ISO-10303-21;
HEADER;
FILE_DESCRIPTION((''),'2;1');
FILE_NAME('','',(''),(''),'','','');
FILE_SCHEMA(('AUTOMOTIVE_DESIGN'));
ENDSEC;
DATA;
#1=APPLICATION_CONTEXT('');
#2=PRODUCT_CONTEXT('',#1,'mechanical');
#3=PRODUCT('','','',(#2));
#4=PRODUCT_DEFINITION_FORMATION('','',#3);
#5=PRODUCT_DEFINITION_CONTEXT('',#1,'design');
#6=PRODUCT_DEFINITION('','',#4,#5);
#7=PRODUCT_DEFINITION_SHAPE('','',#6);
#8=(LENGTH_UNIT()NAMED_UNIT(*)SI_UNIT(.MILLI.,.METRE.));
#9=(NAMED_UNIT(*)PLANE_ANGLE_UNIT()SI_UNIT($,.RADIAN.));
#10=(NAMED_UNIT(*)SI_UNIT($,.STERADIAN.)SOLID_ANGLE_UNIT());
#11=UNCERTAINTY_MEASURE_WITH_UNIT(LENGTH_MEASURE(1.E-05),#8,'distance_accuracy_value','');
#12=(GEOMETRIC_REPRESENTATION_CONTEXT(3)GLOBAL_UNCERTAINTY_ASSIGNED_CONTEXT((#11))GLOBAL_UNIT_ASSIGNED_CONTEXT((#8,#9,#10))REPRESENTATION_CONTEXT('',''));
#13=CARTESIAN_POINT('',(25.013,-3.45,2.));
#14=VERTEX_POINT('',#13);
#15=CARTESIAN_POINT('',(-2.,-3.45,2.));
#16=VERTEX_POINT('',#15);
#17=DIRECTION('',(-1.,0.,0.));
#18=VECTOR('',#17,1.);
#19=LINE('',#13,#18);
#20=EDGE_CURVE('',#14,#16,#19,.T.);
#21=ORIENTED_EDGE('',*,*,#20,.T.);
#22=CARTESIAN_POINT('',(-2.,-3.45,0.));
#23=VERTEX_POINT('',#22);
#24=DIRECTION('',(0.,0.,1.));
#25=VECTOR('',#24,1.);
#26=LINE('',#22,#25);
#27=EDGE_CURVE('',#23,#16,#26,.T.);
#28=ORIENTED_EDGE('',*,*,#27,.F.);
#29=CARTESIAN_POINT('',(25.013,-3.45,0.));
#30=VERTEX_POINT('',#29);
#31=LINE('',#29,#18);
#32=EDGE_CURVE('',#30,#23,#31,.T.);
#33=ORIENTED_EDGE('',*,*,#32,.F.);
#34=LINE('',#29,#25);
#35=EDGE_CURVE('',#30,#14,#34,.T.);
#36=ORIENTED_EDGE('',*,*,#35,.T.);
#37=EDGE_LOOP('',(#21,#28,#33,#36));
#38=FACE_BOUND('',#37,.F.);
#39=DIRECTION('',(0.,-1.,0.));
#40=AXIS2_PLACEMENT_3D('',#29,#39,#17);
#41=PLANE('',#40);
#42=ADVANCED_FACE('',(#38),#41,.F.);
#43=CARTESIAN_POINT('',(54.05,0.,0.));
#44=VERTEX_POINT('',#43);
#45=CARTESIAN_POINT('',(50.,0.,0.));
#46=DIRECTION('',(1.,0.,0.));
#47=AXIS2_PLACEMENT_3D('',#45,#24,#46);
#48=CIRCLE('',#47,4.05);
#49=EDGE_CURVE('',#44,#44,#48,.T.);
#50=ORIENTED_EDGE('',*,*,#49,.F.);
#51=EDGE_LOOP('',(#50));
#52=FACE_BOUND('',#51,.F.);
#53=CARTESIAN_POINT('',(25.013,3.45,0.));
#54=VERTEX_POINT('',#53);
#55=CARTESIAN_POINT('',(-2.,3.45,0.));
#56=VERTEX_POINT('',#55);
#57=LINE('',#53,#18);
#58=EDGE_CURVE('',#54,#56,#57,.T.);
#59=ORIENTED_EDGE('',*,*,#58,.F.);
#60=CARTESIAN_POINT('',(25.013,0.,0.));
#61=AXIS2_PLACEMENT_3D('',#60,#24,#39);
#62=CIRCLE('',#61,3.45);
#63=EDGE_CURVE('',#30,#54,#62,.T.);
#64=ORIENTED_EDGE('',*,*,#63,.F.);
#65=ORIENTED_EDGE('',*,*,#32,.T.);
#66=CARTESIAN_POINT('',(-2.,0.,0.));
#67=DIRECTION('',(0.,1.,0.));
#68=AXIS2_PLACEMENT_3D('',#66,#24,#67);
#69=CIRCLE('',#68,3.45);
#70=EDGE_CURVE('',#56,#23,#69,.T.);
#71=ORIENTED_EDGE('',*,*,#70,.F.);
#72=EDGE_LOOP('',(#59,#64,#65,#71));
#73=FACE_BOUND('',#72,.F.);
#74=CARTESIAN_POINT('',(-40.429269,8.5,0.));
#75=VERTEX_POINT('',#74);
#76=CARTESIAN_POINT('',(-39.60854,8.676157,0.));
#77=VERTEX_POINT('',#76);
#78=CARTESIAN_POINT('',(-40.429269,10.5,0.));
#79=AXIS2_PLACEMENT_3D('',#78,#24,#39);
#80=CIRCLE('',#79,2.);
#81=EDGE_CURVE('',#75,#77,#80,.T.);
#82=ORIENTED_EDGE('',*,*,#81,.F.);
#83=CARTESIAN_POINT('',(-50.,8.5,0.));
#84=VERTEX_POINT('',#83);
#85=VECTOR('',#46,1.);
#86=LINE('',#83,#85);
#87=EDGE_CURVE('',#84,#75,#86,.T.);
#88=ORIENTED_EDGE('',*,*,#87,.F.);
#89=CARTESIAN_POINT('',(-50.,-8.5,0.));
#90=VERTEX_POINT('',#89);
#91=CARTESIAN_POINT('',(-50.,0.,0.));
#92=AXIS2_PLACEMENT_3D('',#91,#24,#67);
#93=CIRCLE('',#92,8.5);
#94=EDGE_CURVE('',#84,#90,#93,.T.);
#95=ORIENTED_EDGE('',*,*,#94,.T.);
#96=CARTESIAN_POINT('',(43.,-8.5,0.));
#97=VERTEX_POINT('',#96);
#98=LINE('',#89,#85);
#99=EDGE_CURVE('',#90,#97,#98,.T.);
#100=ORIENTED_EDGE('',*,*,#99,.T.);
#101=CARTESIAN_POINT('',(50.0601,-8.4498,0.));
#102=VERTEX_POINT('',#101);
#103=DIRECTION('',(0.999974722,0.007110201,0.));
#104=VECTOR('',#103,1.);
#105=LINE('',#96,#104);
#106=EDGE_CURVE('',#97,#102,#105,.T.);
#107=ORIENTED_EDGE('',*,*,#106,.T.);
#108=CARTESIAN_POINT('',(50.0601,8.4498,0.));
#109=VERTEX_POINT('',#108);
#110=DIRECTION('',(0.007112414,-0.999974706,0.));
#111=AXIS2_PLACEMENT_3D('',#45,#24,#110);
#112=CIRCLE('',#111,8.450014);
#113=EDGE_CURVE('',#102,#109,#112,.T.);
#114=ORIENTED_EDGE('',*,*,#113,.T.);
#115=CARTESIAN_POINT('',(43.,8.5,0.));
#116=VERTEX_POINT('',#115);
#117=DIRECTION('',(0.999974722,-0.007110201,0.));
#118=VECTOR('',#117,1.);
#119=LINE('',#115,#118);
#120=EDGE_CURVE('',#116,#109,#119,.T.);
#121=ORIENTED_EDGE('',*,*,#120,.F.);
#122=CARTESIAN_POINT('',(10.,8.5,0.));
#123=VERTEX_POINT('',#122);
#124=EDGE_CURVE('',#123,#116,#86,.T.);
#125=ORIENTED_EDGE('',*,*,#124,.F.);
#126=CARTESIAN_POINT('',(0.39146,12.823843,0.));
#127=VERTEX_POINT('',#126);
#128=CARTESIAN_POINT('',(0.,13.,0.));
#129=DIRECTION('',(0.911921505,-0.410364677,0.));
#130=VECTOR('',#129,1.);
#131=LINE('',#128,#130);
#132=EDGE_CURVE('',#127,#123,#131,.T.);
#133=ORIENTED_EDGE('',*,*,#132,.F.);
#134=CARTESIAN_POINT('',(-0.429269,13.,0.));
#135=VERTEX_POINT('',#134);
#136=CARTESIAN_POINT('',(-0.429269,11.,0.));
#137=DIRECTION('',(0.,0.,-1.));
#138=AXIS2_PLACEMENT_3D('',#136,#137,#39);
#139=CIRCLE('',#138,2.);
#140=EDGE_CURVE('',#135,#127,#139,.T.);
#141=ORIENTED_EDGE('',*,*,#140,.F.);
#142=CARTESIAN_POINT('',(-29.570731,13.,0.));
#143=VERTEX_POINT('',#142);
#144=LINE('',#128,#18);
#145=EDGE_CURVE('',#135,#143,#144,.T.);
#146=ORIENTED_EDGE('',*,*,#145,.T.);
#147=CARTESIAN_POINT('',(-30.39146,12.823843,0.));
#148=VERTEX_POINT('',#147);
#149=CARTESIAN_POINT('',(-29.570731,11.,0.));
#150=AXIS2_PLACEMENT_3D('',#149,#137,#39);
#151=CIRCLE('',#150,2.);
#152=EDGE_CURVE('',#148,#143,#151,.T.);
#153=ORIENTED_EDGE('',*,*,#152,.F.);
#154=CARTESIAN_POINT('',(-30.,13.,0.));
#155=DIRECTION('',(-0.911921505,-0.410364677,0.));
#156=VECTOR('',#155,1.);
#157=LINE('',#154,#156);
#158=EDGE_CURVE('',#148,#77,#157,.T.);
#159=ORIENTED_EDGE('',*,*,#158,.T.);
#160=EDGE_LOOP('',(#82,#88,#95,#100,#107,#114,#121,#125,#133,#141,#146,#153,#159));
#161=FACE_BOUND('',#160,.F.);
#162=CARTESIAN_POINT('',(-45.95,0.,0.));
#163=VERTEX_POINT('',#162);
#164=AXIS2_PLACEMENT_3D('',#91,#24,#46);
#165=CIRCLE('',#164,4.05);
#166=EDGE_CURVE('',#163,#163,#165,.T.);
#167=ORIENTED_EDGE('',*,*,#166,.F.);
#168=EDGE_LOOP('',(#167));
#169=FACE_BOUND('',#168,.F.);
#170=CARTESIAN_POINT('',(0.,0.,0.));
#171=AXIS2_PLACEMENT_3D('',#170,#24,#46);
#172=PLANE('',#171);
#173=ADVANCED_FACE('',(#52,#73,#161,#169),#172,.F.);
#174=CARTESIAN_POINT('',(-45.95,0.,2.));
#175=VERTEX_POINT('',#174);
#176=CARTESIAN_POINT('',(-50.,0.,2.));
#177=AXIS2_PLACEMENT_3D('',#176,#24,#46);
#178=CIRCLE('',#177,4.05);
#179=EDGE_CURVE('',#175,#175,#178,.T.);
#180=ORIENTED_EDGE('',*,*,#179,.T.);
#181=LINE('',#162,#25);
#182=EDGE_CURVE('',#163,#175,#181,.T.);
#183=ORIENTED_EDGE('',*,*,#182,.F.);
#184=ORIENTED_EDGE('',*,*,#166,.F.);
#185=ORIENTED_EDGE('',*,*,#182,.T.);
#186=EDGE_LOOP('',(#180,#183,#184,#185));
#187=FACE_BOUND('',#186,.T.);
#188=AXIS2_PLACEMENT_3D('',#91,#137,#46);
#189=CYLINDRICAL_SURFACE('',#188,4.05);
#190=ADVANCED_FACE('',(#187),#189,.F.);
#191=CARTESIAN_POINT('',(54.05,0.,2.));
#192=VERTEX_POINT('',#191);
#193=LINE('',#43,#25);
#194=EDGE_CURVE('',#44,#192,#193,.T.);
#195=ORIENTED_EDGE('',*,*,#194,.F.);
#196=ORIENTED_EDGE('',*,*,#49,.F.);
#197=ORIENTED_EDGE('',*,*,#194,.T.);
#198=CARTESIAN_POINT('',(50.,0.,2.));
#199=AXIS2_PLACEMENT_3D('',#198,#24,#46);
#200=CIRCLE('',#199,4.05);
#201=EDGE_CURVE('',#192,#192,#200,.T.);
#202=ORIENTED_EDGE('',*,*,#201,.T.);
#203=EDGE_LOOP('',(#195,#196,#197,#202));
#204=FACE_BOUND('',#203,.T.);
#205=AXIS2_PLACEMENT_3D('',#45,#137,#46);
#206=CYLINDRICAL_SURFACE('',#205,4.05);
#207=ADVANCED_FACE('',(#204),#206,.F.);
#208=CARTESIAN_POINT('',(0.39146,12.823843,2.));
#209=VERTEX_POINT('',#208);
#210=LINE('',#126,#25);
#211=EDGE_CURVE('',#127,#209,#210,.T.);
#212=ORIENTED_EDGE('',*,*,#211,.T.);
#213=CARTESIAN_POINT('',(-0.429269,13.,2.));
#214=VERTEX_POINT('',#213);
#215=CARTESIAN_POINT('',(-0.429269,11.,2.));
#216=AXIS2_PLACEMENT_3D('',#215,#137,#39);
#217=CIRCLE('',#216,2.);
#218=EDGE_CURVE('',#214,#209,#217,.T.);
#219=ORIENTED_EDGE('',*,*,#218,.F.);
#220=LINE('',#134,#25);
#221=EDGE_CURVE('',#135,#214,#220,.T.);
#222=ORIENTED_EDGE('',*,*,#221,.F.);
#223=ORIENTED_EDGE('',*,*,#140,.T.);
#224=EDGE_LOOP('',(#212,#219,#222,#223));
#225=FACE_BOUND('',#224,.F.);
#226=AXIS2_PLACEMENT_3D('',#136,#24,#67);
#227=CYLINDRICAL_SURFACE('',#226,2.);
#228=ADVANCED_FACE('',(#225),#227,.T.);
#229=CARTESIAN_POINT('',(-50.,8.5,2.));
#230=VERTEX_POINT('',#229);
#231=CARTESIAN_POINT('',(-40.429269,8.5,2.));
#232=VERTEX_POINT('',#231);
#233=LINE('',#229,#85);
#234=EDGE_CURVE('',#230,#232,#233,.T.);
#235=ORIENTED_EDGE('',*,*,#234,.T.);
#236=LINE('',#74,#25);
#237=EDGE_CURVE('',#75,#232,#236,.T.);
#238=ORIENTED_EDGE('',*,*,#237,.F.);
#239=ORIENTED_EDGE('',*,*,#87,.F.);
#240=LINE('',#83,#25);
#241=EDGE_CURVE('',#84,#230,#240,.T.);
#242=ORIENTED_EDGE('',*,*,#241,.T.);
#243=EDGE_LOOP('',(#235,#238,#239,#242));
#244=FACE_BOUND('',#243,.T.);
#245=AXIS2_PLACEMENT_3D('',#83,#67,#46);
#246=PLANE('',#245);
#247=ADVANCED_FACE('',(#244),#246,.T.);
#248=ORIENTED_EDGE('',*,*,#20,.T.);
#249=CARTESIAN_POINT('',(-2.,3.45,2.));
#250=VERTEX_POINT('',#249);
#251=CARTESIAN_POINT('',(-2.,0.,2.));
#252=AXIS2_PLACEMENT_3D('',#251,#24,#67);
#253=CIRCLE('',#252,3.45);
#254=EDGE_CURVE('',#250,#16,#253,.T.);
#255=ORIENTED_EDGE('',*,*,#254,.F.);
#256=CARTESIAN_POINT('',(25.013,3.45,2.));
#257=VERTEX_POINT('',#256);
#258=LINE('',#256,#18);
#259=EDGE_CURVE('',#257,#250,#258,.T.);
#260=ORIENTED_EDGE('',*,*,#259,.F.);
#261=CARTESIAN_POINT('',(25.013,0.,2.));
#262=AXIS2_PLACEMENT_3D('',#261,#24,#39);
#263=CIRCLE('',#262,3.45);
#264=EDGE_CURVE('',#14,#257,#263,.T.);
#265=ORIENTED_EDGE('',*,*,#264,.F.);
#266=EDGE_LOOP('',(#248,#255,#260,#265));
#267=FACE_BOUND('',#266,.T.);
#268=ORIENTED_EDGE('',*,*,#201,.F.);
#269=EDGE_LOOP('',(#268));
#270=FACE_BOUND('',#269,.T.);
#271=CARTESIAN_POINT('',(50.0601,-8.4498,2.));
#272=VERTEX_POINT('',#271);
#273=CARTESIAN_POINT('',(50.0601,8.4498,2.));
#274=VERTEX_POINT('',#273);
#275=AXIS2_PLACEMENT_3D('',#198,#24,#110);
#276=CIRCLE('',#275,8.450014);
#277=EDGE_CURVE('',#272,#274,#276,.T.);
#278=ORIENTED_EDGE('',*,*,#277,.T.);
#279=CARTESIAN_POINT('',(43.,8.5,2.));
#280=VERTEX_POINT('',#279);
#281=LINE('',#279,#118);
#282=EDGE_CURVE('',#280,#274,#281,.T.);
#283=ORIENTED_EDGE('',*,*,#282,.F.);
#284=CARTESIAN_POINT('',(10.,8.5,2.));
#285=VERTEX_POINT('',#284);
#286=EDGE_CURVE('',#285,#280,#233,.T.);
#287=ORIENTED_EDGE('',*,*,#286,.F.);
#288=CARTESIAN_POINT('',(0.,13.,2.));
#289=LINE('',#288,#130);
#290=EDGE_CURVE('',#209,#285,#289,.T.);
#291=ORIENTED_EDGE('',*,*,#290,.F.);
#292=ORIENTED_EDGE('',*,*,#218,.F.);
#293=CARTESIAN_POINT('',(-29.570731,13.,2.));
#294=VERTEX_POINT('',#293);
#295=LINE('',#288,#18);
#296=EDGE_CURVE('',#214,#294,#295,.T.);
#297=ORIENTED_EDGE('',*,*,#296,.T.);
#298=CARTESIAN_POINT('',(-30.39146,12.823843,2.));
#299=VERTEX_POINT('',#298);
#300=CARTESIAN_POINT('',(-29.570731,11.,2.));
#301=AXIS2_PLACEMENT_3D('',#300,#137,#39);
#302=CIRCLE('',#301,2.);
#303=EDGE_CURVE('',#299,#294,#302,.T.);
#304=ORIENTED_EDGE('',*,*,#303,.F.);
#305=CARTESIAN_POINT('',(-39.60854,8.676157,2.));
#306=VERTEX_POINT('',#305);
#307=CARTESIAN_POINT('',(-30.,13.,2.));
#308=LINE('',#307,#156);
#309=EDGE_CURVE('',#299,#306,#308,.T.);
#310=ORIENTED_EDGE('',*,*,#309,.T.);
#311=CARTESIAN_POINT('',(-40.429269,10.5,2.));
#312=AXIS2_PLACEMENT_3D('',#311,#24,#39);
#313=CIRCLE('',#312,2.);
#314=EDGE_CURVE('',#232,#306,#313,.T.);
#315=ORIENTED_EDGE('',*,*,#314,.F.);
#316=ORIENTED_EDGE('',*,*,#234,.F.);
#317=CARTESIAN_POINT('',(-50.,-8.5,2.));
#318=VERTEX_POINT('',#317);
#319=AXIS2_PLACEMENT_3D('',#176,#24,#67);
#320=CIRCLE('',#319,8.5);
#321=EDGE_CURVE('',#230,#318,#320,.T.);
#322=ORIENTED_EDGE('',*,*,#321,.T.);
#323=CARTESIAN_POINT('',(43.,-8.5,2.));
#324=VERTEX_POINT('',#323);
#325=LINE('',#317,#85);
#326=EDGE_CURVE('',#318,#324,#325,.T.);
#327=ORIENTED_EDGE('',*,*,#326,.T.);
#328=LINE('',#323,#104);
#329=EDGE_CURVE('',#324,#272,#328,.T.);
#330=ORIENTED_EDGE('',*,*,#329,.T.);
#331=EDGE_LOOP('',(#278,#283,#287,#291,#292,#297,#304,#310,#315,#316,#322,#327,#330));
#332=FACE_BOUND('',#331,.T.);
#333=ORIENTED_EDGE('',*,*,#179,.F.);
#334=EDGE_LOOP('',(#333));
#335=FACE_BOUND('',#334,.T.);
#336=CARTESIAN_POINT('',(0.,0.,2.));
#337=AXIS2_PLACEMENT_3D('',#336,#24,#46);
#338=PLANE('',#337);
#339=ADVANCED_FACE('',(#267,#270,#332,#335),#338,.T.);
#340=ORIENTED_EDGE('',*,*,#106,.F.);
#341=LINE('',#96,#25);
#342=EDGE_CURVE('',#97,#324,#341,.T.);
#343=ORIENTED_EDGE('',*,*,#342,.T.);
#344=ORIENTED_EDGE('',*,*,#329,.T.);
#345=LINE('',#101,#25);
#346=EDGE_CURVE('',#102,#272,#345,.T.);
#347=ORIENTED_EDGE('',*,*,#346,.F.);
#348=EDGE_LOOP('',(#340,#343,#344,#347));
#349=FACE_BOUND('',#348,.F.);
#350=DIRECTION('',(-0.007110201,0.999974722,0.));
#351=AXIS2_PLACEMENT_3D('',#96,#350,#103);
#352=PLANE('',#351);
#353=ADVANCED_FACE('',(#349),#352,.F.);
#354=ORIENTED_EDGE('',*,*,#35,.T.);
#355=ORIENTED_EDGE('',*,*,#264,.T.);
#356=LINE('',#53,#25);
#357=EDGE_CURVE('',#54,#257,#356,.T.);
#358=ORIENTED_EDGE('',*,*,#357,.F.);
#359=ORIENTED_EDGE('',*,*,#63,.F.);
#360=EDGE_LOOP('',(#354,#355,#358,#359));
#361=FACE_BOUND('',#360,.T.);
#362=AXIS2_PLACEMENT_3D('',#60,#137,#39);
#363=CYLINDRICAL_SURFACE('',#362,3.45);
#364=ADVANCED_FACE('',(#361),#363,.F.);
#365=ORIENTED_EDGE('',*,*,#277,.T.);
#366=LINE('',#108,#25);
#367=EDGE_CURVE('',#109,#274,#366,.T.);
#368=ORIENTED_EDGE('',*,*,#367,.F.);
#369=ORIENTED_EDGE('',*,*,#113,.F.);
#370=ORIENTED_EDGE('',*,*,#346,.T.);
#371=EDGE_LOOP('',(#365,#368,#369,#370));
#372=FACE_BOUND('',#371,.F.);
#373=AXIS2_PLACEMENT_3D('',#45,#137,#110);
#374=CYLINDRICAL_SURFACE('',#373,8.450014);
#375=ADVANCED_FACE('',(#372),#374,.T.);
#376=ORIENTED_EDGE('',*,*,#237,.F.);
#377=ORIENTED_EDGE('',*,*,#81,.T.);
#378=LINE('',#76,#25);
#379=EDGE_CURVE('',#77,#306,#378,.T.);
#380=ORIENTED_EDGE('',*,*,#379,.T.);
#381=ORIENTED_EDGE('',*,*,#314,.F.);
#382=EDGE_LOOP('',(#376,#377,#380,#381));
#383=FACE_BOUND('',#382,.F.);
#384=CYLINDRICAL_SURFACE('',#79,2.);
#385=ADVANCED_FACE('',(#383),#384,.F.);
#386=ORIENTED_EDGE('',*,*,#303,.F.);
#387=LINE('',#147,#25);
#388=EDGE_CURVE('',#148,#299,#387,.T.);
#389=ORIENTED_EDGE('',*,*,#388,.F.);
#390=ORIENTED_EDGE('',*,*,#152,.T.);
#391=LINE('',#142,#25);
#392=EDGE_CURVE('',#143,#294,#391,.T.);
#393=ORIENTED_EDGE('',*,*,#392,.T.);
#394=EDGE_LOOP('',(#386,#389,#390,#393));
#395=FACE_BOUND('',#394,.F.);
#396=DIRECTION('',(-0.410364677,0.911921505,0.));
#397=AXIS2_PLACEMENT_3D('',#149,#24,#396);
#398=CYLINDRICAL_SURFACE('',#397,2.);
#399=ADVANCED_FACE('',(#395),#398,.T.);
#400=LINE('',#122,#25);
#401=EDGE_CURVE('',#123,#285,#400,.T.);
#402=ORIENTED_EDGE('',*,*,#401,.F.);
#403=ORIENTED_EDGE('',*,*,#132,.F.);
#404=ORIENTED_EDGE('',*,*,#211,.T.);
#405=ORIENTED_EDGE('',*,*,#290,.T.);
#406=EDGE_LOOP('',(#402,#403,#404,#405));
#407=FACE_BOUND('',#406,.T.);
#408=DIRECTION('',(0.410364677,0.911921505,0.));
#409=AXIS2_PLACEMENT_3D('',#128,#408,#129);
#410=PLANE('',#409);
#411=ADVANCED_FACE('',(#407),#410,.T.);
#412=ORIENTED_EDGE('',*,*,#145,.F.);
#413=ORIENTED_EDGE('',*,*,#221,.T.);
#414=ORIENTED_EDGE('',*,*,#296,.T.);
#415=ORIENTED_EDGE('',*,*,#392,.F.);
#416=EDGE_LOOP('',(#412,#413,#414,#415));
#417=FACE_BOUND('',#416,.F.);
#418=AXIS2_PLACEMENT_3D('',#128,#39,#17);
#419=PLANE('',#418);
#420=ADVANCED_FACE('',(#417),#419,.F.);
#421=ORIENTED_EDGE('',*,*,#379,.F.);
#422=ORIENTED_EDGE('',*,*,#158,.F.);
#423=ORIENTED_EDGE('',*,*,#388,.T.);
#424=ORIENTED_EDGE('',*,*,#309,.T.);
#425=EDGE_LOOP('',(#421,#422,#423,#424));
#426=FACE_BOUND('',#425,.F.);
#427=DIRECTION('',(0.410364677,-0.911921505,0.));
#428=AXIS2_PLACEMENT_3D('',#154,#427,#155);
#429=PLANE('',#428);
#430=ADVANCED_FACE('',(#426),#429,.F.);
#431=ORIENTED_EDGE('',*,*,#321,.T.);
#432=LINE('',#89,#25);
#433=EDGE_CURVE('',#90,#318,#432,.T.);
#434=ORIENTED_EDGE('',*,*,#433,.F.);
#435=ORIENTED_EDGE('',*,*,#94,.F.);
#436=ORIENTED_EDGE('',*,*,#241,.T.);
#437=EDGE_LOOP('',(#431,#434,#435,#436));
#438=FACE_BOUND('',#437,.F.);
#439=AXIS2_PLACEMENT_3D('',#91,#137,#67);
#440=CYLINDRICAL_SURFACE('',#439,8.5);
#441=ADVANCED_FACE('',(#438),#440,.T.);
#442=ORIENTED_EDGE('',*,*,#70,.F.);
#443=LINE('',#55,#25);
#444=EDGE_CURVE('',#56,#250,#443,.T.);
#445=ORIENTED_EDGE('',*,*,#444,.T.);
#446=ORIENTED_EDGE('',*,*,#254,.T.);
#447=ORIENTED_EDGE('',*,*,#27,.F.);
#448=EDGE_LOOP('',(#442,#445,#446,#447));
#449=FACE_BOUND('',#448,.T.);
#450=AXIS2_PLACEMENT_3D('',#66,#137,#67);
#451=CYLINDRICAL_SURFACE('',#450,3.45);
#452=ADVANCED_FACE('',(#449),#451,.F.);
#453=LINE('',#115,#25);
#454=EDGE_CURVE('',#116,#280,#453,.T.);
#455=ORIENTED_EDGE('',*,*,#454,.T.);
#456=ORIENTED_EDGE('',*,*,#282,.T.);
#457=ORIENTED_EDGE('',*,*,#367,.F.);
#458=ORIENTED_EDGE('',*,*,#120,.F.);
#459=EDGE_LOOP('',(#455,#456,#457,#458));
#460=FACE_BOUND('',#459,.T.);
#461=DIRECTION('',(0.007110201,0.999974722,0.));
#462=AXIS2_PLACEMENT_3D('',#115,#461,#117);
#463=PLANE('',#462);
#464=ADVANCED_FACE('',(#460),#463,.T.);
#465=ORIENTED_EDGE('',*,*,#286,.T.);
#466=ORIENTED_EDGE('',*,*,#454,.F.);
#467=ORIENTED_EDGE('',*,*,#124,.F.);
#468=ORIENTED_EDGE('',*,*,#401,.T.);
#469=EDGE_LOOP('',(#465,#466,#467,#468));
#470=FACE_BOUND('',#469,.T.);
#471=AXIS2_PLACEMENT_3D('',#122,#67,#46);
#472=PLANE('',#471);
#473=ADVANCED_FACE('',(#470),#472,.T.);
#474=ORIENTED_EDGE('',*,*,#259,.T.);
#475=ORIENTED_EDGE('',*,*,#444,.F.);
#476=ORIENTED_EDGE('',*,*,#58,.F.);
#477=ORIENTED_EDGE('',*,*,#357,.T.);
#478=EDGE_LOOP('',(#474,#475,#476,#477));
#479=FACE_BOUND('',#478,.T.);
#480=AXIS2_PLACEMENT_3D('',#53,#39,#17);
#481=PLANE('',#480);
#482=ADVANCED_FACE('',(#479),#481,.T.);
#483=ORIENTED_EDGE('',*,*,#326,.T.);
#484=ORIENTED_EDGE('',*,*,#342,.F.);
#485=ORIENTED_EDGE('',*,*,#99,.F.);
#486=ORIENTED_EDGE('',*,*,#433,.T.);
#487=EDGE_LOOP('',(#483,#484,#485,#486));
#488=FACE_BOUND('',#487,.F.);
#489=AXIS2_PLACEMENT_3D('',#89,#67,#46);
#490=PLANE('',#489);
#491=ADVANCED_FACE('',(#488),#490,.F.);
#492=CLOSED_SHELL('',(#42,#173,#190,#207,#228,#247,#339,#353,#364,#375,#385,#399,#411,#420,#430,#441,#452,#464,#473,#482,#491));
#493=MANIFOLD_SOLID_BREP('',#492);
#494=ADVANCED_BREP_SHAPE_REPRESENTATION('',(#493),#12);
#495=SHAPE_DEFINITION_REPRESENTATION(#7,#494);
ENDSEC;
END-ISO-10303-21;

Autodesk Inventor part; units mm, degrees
ref_plane "YZ Plane" through (0, 0, 0) normal (1, 0, 0) x (0, 1, 0)
ref_plane "XZ Plane" through (0, 0, 0) normal (0, 1, 0) x (-1, 0, 0)
ref_plane "XY Plane" through (0, 0, 0) normal (0, 0, 1) x (1, 0, 0)
sketch "スケッチ1" plane through (0, 0, 0) normal (0, 0, 1) x (1, 0, 0)
  line L0 (-50, 0) -> (50, 0) construction
  circle A0 centre (-50, 0) radius 4.05
  circle A1 centre (50, 0) radius 4.05
  line L1 (-50, 8.5) -> (43, 8.5)
  line L2 (-50, -8.5) -> (43, -8.5)
  arc A2 (-50, 8.5) -> (-50, -8.5) centre (-50, 0) ccw
  arc A3 (25.013, -3.45) -> (25.013, 3.45) centre (25.013, 0) ccw
  line L3 (25.013, -3.45) -> (-2, -3.45)
  line L4 (25.013, 3.45) -> (-2, 3.45)
  arc A4 (-2, 3.45) -> (-2, -3.45) centre (-2, 0) ccw
  line L5 (43, -8.5) -> (50.0601, -8.4498)
  line L6 (43, 8.5) -> (50.0601, 8.4498)
  arc A5 (50.0601, -8.4498) -> (50.0601, 8.4498) centre (50, 0) ccw
  line L7 (-41, -8.5) -> (-12, -8.5) construction
  line L8 (-12, -8.5) -> (-12, -3.5) construction
  line L9 (-12, -3.5) -> (-41, -3.5) construction
  line L10 (-41, -3.5) -> (-41, -8.5) construction
  line L11 (-41, -6) -> (-12, -6) construction
  circle A6 centre (-26.5, -6) radius 1.55
  circle A7 centre (-38.5, -6) radius 1.55
  circle A8 centre (-14.5, -6) radius 1.55
  line L12 (-26.5, -6) -> (-26.5, -3.5) construction
  line L13 (0, 13) -> (-30, 13)
  line L14 (-30, 13) -> (-40, 8.5)
  line L15 (0, 13) -> (10, 8.5)
  point P0 (0, 0)
  point P1 (0, 0)
  dimension "d0" = 100
  dimension "d1" = 8.1
  dimension "d2" = 8.5
  dimension "d5" = 3.45
  dimension "d7" = 52
  dimension "d8" = 8.1
  dimension "d9" = 7
  dimension "d10" = 8.45
  dimension "d11" = 27.013
  dimension "d12" = 5
  dimension "d13" = 29
  dimension "d14" = 3.1
  dimension "d15" = 2.5
  dimension "d16" = 9
  dimension "d17" = 13
  dimension "d19" = 10
  dimension "d20" = 30
  dimension "d22" = 10
  dimension "d23" = 40
  dimension "d24" = 0
extrude "押し出し1" add sketch "スケッチ1" along normal blind 2
fillet "フィレット1" radius 2 4 edges at (-40, 8.5, 1) (-30, 13, 1) (0, 13, 1) (43, 8.5, 1)
sketch "スケッチ2" plane through (0, 0, 0) normal (0, 0, -1) x (-1, 0, 0)
  circle A0 centre (38.5, -6) radius 1.55 projected
  circle A1 centre (38.5, -6) radius 1.55
  circle A2 centre (26.5, -6) radius 1.55 projected
  circle A3 centre (26.5, -6) radius 1.55
  circle A4 centre (14.5, -6) radius 1.55 projected
  circle A5 centre (14.5, -6) radius 1.55
  point P0 (0, 0)
extrude "押し出し2" add sketch "スケッチ2" against normal up to surface (2 mm away)
equation "\"d7\" = 2 * d28"
equation "\"d8\" = d1"
equation "\"d11\" = d39"
equation "\"d19\" = d18"
equation "\"d22\" = d19"
equation "\"d28\" = 26"
equation "\"d39\" = 27.012989"
equation "\"d18\" = 10"
properties part number "rinnku" material "GFRP"
